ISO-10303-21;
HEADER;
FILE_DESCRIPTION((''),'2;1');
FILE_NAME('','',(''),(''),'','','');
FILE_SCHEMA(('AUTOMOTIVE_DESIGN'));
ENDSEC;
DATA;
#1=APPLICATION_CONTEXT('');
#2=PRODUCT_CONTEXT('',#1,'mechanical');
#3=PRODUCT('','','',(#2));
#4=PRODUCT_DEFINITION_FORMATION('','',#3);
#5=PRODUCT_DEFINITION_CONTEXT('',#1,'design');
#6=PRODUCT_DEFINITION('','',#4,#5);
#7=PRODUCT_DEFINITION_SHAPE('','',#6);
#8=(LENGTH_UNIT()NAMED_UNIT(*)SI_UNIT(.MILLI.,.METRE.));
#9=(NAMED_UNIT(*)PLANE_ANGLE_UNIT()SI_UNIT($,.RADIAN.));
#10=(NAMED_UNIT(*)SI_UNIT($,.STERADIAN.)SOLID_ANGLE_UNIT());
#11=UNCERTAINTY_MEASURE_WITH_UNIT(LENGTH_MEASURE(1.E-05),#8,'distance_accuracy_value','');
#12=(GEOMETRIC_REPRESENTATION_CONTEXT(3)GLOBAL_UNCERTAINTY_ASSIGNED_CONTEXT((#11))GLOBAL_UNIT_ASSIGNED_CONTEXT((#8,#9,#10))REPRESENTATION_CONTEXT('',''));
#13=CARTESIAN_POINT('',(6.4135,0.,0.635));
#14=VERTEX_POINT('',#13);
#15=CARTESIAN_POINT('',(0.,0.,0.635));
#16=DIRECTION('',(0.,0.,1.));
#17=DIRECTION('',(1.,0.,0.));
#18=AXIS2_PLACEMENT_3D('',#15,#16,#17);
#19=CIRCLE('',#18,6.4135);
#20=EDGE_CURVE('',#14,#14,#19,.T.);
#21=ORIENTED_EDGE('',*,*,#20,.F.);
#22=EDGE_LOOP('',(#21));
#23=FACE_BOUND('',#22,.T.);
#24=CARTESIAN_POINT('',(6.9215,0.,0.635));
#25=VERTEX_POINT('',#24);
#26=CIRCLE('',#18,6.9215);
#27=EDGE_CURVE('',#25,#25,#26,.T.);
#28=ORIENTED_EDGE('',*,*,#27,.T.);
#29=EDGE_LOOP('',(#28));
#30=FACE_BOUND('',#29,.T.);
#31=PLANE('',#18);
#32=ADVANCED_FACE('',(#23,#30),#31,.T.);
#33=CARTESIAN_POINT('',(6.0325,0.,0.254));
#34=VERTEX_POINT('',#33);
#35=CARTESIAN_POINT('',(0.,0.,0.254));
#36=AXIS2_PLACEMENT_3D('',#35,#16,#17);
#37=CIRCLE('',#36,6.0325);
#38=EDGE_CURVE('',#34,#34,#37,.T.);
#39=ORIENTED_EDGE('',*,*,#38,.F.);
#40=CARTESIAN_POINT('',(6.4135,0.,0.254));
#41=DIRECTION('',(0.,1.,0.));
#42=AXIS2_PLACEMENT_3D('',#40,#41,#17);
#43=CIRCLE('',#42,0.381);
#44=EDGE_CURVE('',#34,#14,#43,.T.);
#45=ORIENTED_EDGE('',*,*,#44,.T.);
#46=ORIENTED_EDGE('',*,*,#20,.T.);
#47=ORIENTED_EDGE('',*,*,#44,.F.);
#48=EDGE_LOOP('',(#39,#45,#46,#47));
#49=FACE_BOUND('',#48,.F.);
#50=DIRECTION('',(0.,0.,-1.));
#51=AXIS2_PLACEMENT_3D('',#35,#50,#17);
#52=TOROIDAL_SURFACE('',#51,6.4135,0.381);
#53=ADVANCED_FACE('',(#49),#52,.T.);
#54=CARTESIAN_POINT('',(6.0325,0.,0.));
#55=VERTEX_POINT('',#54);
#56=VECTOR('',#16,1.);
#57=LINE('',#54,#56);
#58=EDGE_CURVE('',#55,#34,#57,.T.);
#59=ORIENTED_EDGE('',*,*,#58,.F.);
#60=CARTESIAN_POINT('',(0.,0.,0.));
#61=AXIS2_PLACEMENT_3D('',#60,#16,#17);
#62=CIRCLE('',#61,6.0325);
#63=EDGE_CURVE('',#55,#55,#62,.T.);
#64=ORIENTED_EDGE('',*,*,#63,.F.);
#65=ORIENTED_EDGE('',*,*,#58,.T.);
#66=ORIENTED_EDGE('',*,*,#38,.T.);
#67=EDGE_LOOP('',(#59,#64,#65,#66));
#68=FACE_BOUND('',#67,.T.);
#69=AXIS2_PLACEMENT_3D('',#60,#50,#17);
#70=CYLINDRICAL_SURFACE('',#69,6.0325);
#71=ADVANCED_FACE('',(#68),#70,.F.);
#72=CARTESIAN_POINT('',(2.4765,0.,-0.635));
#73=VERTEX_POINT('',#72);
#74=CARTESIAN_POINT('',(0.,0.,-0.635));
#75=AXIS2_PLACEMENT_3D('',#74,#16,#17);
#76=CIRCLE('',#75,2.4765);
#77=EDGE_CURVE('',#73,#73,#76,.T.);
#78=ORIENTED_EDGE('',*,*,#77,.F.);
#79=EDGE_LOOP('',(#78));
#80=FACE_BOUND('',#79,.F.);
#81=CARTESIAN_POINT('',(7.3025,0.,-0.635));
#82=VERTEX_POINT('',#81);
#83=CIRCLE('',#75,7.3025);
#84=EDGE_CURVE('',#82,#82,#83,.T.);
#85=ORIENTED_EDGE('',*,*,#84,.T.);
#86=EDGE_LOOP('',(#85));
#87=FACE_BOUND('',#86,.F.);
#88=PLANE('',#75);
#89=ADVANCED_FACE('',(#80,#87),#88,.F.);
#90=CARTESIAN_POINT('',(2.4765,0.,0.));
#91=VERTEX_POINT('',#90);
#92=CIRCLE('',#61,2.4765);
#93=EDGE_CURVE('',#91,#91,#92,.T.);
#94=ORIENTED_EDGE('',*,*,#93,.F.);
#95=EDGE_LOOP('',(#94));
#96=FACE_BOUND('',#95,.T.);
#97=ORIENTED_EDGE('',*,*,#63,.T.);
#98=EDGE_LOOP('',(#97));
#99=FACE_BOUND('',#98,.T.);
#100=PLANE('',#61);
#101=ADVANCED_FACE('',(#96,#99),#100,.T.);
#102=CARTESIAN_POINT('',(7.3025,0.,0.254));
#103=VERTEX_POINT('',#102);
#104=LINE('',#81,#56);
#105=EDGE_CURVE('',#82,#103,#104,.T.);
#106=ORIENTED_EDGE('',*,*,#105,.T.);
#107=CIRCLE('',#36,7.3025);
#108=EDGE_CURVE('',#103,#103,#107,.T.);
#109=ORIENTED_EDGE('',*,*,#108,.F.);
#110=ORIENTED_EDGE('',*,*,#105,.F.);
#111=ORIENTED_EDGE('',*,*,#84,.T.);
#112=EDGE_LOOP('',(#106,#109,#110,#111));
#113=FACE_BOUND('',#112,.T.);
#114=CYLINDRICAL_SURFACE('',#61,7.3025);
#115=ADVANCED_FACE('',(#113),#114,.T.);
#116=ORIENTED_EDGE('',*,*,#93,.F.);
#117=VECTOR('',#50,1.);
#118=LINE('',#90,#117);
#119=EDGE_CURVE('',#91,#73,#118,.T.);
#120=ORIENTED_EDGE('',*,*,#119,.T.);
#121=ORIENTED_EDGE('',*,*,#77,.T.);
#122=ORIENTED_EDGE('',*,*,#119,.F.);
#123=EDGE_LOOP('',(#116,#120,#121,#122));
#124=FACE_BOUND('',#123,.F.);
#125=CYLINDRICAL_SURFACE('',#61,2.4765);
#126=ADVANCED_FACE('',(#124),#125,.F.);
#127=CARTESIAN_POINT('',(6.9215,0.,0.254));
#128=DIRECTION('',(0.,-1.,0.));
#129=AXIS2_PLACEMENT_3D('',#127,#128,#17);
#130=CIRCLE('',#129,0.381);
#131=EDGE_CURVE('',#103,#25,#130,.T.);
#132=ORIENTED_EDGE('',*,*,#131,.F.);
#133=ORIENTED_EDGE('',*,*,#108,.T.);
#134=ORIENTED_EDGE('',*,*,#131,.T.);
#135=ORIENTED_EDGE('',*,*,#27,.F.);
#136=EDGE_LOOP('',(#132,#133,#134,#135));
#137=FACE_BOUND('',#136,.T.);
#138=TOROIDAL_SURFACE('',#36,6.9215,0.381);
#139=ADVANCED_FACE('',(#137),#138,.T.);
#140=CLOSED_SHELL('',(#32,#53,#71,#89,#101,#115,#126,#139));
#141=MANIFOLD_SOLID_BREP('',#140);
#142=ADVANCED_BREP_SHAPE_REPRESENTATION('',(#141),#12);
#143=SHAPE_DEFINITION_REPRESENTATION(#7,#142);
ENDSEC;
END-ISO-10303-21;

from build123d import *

# Parameters (mm, degrees)
F0_R     = 7.3025
F0_R_2   = 6.0325
F1_DEPTH = 0.635
F2_R     = 0.381
F3_R     = 7.3025
F3_R_2   = 2.4765
F4_DEPTH = 0.635


with BuildPart() as f1:
    # F0 (on Top) → F1 (new body)
    with BuildSketch(Plane.XY):
        Circle(F0_R)
        Circle(F0_R_2, mode=Mode.SUBTRACT)
    extrude(amount=F1_DEPTH)

    # F2
    f2_edges = [f1.edges().sort_by_distance(p)[0] for p in [
        (-7.3025, 0, 0.635),
        (-6.0325, 0, 0.635),
    ]]
    fillet(f2_edges, radius=F2_R)

    # F3 (on Top) → F4 (join)
    with BuildSketch(Plane.XY):
        Circle(F3_R)
        Circle(F3_R_2, mode=Mode.SUBTRACT)
    extrude(amount=-F4_DEPTH)


solid = f1.part
